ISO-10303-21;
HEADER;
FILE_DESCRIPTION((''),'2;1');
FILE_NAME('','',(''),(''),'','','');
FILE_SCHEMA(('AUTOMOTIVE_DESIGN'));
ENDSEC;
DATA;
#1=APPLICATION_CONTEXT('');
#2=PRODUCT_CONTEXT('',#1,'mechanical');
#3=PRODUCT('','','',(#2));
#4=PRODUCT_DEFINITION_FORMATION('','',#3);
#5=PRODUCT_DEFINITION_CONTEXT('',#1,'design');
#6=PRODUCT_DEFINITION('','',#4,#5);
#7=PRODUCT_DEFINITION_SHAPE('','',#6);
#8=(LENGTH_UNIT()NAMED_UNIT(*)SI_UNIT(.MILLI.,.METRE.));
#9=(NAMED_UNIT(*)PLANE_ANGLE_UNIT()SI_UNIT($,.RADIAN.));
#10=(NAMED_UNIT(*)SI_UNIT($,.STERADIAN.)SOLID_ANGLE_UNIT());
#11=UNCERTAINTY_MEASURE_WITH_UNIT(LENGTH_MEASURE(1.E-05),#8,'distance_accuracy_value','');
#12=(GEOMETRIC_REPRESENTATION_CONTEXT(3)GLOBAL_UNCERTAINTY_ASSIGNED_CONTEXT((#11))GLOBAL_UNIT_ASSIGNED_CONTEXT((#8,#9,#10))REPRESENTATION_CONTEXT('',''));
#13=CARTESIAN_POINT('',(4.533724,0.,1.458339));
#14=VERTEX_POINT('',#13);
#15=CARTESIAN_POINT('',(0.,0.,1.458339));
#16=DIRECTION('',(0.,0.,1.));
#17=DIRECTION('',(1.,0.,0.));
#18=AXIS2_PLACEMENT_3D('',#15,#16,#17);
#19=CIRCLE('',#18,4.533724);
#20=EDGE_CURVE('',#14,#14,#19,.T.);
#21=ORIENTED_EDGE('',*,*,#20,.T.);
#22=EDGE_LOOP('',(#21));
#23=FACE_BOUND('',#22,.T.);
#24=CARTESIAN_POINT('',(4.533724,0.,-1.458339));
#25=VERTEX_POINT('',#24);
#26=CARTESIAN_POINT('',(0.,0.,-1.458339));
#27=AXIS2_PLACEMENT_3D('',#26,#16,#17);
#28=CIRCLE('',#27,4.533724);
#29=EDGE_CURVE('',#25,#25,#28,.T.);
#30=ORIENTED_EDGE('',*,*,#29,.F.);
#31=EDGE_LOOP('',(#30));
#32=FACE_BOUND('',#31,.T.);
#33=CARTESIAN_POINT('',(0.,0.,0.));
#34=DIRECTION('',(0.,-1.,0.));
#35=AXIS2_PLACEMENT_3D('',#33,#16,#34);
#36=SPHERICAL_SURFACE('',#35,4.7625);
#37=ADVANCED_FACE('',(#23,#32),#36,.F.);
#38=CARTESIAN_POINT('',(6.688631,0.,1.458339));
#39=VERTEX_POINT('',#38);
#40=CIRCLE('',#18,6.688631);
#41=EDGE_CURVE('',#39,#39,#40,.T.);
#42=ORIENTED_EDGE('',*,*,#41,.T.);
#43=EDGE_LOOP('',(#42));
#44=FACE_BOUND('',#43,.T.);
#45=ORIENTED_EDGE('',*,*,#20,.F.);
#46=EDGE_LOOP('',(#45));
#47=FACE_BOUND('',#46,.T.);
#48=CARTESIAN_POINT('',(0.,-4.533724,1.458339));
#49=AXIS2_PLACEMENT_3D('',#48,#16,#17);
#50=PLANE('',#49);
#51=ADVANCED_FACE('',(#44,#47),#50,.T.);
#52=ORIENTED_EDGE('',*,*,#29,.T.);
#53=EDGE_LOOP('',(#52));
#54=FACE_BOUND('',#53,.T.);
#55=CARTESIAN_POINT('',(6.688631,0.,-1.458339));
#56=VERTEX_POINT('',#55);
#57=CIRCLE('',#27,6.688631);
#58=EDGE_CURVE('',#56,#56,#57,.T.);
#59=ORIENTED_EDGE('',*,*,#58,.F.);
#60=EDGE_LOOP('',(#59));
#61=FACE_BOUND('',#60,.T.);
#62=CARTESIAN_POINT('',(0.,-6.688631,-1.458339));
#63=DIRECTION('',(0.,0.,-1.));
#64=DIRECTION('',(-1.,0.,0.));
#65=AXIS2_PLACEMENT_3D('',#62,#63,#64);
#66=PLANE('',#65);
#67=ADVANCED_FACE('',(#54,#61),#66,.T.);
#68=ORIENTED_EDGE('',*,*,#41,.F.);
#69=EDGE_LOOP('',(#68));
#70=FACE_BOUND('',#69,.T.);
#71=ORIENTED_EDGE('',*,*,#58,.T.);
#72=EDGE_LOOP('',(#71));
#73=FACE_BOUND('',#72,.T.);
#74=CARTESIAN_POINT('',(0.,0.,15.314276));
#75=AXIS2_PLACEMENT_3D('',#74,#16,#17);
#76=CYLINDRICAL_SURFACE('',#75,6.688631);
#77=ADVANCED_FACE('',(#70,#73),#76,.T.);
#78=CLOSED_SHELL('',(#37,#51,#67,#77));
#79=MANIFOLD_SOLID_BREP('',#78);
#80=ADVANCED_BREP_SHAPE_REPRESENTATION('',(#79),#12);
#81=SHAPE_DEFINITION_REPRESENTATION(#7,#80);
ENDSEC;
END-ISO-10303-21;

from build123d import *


with BuildPart() as part:
    # Sketch1 → Revolve1 (revolve)
    with BuildSketch(Plane(origin=(0, 0, 0), x_dir=(0, 0, -1), z_dir=(1, 0, 0))):
        with BuildLine():
            Line((-1.45833938, -4.533723911), (-1.45833938, -6.688630503))
            Line((-1.45833938, -6.688630503), (1.45833938, -6.688630503))
            Line((1.45833938, -6.688630503), (1.45833938, -4.533723911))
            ThreePointArc((1.45833938, -4.533723911), (0, -4.7625), (-1.45833938, -4.533723911))
        make_face()
    revolve(axis=Axis((0, 0, 15.314276063), (0, 0, -1)))


solid = part.part
